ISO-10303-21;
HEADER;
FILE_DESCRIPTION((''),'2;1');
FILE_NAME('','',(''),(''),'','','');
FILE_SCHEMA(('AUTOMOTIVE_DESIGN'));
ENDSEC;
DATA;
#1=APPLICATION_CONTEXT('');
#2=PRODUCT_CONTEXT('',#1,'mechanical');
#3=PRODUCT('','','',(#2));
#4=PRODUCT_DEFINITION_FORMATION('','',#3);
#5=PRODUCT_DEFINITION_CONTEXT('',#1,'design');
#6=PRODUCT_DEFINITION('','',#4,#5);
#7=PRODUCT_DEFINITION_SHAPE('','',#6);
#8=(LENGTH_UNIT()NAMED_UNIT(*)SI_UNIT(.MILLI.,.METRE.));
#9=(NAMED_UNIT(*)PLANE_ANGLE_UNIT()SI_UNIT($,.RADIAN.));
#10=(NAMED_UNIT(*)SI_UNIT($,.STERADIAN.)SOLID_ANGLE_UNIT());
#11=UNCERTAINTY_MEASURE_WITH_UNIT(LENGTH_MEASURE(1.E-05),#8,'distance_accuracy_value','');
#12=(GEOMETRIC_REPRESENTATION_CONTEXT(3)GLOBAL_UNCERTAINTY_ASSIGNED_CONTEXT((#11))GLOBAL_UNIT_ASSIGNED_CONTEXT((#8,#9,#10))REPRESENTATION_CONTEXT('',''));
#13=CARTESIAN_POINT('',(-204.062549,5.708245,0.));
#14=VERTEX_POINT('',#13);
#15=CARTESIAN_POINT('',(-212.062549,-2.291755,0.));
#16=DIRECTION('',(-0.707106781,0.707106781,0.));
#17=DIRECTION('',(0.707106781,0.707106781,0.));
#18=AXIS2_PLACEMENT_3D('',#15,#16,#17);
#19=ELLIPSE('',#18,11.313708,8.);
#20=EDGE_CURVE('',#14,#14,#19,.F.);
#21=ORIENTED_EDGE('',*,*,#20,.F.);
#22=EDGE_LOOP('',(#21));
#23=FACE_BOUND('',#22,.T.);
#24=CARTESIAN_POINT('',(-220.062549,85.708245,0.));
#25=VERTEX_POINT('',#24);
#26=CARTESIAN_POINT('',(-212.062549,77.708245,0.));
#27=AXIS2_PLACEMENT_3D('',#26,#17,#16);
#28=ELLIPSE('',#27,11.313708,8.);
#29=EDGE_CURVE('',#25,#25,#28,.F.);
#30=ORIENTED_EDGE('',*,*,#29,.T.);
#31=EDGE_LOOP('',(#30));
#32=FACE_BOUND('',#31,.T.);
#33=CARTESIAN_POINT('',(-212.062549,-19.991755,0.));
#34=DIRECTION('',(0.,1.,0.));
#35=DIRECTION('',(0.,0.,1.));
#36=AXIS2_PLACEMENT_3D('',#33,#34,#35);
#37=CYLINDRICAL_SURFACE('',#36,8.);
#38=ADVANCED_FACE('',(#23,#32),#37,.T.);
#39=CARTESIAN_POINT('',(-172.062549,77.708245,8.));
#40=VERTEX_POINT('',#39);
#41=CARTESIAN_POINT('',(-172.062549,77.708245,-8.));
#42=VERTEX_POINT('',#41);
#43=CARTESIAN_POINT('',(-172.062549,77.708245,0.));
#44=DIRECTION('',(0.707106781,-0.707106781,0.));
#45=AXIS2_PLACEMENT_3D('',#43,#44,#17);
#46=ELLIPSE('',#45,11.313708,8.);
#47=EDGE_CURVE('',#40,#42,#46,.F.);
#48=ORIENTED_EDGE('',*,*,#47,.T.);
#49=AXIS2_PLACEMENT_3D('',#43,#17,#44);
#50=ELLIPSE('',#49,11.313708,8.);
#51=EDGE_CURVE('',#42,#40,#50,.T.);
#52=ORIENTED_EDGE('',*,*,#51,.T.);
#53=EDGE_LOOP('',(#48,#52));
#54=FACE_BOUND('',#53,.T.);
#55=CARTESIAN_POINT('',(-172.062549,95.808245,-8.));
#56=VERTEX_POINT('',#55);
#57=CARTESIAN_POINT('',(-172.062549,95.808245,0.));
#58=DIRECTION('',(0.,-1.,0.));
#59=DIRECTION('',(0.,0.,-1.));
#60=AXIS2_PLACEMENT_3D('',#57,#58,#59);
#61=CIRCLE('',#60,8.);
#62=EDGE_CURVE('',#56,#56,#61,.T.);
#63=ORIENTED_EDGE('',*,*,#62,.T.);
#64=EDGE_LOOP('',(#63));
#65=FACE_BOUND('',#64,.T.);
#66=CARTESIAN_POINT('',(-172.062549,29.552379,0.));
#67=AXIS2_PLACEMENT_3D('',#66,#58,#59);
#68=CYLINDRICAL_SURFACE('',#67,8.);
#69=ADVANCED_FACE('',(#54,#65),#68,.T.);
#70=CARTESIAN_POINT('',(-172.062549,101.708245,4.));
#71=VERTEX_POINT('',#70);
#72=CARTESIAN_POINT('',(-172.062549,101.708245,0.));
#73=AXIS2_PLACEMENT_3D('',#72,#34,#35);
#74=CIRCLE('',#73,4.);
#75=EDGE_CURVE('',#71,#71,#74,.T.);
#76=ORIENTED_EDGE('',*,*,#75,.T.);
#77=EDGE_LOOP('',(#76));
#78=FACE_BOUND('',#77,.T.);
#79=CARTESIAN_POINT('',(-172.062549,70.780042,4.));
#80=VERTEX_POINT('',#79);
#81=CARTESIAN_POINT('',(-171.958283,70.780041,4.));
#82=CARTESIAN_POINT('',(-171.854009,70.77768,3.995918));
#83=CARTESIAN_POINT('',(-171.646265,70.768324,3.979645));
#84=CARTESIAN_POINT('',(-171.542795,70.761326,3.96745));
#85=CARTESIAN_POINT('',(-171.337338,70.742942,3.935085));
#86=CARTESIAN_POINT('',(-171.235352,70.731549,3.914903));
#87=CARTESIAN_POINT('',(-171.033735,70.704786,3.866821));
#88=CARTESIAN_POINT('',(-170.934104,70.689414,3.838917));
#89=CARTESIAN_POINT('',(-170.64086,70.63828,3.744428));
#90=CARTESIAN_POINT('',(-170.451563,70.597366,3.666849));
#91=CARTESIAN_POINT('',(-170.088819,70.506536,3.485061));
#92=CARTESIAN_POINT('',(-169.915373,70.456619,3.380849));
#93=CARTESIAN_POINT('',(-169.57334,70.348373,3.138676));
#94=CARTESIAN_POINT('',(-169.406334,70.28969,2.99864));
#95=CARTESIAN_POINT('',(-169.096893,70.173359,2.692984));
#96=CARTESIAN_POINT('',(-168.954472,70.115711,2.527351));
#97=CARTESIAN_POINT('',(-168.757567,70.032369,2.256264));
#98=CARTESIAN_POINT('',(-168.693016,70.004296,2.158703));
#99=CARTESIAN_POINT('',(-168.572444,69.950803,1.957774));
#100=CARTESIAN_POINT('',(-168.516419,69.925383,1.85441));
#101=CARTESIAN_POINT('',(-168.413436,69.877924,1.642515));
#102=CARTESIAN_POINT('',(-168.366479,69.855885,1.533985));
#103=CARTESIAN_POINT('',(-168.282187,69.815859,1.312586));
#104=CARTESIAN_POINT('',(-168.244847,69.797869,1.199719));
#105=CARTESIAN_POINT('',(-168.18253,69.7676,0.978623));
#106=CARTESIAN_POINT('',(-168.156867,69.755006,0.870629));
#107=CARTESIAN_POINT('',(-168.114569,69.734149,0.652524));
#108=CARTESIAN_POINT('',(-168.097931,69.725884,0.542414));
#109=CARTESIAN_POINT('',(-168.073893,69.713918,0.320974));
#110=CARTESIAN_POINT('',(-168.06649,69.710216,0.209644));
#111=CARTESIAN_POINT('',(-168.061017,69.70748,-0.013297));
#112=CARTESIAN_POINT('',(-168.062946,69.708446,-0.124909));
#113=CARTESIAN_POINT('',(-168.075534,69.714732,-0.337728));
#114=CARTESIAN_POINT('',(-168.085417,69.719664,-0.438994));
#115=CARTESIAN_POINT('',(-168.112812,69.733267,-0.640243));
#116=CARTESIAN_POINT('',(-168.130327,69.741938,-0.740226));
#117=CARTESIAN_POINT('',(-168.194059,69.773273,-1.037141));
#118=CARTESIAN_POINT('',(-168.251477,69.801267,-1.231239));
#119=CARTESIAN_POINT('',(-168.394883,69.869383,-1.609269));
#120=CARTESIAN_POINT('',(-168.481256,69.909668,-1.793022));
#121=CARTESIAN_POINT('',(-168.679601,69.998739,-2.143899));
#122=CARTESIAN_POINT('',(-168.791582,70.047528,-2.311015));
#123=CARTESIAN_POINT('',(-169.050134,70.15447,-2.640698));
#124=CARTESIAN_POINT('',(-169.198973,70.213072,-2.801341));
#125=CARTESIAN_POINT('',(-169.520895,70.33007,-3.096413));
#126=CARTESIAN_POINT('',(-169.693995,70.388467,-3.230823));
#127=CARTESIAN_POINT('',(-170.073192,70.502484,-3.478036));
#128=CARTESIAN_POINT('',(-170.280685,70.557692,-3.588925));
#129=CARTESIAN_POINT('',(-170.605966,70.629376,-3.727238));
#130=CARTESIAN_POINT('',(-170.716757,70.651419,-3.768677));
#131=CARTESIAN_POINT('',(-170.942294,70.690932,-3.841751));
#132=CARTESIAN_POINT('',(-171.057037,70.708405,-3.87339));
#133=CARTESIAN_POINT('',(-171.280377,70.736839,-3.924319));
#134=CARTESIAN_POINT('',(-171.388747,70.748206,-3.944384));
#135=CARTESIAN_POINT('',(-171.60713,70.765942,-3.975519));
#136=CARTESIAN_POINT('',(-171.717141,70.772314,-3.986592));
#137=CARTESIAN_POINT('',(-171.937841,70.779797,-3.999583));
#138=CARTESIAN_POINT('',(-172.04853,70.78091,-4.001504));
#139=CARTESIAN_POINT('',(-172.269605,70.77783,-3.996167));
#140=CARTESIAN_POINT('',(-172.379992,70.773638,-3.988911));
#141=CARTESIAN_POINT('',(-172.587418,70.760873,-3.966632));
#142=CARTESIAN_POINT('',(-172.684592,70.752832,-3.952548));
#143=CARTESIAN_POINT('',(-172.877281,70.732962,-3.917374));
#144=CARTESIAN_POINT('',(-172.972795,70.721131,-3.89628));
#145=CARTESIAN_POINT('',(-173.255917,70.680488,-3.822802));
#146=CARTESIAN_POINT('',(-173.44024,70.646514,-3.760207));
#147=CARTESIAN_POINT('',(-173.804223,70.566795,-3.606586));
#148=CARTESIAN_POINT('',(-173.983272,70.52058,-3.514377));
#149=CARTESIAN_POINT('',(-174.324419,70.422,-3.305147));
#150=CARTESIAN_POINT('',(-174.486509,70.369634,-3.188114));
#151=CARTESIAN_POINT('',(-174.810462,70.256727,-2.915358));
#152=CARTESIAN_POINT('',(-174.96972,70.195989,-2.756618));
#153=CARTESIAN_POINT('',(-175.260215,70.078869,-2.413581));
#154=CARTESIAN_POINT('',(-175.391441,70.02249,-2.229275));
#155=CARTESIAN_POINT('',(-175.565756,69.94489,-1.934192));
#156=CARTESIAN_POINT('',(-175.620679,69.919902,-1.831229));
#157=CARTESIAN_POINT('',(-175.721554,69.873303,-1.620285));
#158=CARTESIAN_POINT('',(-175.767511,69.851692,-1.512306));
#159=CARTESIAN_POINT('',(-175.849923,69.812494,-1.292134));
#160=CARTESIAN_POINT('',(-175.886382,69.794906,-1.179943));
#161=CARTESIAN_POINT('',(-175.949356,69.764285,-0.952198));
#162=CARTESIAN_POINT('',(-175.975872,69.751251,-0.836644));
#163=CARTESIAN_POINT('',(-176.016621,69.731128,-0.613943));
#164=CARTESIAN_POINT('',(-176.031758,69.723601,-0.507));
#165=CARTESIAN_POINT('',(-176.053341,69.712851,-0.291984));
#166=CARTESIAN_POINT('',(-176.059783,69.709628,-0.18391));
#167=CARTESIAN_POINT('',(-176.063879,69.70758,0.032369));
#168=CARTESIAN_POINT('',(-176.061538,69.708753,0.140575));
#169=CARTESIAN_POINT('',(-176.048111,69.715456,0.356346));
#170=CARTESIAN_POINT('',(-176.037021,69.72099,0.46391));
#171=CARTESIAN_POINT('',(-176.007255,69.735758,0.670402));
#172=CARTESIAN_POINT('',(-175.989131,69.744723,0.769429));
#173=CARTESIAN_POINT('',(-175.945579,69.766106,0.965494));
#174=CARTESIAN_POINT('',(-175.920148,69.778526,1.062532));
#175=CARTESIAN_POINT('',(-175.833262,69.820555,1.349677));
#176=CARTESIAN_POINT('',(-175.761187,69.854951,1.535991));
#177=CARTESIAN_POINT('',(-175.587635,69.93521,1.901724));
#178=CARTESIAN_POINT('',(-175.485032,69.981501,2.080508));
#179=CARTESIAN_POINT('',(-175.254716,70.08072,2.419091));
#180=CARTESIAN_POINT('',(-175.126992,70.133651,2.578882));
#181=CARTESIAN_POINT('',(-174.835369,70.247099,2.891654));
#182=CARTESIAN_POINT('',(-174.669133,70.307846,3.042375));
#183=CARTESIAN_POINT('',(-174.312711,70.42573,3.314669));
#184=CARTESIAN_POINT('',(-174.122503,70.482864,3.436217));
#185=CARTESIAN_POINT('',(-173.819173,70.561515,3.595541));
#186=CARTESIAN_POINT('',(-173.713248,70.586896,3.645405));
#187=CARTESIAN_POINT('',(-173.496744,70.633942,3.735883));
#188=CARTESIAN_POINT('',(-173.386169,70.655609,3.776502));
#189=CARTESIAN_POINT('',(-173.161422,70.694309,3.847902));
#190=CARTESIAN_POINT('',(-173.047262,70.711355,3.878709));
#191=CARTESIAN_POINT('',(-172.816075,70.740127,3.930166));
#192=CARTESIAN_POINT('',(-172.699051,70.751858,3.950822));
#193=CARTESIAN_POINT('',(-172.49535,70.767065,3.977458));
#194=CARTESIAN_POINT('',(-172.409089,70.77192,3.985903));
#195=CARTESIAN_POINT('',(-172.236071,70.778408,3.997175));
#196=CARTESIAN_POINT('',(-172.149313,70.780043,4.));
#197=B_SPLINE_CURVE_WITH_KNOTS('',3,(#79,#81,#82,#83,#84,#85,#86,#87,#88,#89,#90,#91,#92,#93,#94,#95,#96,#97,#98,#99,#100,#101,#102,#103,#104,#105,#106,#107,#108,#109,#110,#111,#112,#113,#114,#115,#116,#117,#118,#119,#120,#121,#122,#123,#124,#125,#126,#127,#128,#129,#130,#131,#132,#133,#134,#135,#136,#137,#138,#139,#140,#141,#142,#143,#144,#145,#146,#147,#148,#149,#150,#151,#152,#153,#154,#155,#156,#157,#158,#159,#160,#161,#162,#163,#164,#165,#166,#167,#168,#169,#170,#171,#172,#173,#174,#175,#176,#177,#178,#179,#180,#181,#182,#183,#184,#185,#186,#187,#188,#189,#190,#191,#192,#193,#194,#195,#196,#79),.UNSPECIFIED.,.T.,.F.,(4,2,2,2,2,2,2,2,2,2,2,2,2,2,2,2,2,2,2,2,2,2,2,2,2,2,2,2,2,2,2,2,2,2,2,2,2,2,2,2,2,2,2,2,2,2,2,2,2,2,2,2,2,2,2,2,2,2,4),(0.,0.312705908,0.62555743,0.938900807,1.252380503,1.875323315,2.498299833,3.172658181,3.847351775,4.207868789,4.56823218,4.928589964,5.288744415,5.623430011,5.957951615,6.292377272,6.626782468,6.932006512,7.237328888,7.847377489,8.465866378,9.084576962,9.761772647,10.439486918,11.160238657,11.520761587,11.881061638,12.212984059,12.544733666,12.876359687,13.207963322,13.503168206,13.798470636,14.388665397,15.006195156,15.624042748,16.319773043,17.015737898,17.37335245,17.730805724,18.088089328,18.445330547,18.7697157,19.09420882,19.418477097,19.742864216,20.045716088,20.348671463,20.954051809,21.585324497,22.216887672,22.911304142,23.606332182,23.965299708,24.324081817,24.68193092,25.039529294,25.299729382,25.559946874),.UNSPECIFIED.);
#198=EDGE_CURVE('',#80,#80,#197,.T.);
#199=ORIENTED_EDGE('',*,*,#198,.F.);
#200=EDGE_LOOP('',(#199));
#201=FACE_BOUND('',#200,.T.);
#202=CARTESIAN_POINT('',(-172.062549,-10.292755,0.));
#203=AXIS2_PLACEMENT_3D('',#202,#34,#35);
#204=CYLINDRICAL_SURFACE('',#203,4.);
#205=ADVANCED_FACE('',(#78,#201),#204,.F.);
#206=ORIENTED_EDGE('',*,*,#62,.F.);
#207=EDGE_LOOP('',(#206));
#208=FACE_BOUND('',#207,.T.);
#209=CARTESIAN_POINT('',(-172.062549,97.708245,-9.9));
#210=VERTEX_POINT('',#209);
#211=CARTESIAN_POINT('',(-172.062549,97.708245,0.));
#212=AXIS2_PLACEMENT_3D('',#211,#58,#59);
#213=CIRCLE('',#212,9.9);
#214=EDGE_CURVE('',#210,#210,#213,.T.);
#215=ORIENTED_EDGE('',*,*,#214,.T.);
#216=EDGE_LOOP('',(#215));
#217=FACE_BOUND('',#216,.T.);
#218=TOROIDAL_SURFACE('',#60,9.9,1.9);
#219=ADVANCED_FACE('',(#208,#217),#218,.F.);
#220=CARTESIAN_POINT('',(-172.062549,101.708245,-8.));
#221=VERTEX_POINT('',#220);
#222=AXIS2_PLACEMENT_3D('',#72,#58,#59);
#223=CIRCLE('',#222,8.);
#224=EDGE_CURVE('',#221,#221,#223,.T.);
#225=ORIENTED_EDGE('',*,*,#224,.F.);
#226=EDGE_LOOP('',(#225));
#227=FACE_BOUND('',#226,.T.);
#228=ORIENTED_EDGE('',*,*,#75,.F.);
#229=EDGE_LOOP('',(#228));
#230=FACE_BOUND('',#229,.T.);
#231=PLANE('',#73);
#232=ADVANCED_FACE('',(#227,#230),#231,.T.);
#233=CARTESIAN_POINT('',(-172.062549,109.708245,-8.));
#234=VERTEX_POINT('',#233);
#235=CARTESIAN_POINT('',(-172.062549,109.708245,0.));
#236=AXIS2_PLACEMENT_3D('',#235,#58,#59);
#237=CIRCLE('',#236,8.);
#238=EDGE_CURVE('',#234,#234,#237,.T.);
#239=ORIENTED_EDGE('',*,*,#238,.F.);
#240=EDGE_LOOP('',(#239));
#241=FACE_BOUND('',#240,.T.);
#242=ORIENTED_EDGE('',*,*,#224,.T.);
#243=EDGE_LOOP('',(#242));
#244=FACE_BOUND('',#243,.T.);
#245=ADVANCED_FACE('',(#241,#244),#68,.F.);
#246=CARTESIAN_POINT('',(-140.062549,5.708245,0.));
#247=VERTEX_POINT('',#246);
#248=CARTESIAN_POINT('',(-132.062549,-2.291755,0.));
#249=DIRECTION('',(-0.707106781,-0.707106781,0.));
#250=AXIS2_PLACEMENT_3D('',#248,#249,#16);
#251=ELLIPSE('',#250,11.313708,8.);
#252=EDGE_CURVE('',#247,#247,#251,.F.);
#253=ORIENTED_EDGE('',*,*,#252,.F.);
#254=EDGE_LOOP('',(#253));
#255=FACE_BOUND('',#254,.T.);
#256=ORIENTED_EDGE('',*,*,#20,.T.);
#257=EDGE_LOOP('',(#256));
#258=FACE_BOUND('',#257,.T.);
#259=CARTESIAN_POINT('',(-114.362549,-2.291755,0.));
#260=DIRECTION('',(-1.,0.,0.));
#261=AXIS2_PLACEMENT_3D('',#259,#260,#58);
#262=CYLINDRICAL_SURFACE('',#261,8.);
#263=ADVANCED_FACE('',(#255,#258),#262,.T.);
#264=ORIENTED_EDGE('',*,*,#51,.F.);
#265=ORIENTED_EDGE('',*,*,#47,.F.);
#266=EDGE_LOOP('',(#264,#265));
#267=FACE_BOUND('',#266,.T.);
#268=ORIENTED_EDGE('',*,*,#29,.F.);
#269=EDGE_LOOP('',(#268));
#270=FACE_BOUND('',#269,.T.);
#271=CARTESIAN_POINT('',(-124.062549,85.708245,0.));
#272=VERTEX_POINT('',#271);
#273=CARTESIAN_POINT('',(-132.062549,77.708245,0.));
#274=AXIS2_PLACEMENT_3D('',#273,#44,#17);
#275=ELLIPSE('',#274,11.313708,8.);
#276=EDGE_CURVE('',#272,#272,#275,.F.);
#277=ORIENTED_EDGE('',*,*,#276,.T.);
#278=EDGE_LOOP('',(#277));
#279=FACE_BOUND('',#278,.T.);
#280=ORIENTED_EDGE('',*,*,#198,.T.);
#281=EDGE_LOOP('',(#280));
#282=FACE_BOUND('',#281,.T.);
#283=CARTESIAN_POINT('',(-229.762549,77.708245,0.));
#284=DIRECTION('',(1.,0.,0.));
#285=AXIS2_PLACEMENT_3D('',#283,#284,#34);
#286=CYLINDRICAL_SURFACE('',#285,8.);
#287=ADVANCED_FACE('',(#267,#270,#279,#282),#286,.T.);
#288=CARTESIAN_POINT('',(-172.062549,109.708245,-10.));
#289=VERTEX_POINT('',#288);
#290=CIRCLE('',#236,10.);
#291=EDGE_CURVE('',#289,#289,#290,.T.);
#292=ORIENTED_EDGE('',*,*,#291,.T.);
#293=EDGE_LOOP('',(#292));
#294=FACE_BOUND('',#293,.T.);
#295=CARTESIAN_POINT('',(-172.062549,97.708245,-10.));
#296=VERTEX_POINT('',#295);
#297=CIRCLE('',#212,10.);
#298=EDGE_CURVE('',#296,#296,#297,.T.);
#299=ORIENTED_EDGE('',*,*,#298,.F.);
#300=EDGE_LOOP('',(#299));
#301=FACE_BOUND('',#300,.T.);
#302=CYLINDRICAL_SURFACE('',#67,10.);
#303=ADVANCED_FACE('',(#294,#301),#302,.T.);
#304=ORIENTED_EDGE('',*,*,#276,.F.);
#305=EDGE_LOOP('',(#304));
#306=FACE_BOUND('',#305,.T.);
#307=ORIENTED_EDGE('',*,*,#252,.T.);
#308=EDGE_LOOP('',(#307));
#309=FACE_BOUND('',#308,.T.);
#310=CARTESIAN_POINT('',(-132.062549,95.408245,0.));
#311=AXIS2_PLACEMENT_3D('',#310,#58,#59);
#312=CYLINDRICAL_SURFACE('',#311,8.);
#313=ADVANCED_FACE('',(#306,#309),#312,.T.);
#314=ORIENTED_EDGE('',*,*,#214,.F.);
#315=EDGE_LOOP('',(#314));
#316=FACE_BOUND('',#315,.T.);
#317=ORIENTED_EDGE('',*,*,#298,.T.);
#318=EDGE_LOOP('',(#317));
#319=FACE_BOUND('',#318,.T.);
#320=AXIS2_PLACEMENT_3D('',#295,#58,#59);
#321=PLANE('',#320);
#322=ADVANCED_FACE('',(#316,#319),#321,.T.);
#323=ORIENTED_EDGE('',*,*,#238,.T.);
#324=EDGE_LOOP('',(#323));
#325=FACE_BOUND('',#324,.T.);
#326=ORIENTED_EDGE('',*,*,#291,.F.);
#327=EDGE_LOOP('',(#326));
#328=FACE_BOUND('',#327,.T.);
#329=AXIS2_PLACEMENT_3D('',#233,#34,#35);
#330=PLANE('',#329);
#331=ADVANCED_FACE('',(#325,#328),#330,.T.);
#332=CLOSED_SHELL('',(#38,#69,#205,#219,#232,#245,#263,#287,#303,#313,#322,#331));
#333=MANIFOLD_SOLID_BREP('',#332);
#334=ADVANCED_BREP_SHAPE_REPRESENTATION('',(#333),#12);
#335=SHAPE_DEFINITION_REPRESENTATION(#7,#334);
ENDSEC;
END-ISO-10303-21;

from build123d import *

# Parameters (mm, degrees)
SWEEP5_PROFILE_R         = 8
TAGLIO_ESTRUSIONE1_REACH = 114
SCHIZZO15_R              = 4


with BuildPart() as part:
    # Sweep5: sweep along a path in Schizzo1
    with BuildLine(Plane.XY) as sweep5_path:
        Line((-132.062548693, 77.708245302), (-212.062548693, 77.708245302))
        Line((-212.062548693, 77.708245302), (-212.062548693, -2.291754698))
        Line((-212.062548693, -2.291754698), (-132.062548693, -2.291754698))
        Line((-132.062548693, -2.291754698), (-132.062548693, 77.708245302))
    # Sweep5 profile (on start of the path) → Sweep5 (sweep)
    with BuildSketch(Plane(origin=(-132.062548693, 77.708245302, 0), x_dir=(0, -1, 0), z_dir=(-1, 0, 0))):
        Circle(SWEEP5_PROFILE_R)
    sweep(path=sweep5_path.line, transition=Transition.RIGHT)

    # Schizzo14 → Rivoluzione1 (revolve)
    with BuildSketch(Plane(origin=(-172.062548693, 0, 0), x_dir=(0, -1, 0), z_dir=(1, 0, 0))):
        with BuildLine():
            Line((-77.708245302, 0), (-101.708245302, 0))
            Line((-101.708245302, 0), (-101.708245302, 8))
            Line((-101.708245302, 8), (-109.708245302, 8))
            Line((-109.708245302, 8), (-109.708245302, 10))
            Line((-109.708245302, 10), (-97.708245302, 10))
            Line((-97.708245302, 10), (-97.708245302, 9.9))
            ThreePointArc((-97.708245302, 9.9), (-97.151748186, 8.556497116), (-95.808245302, 8))
            Line((-95.808245302, 8), (-77.708245302, 8))
            Line((-77.708245302, 8), (-77.708245302, 0))
        make_face()
    revolve(axis=Axis((-172.062548693, 29.552378968, 0), (0, 1, 0)))

    # Schizzo15 → Taglio-Estrusione1 (cut, up to next)
    with BuildSketch(Plane(origin=(0, 101.708245302, 0), x_dir=(1, 0, 0), z_dir=(0, 1, 0)), mode=Mode.PRIVATE) as taglio_estrusione1_sk1:
        with Locations((-172.062548693, 0)):
            Circle(SCHIZZO15_R)
    taglio_estrusione1_tool1 = extrude(taglio_estrusione1_sk1.sketch, amount=-TAGLIO_ESTRUSIONE1_REACH, mode=Mode.PRIVATE) & part.part
    add(taglio_estrusione1_tool1.solids().sort_by_distance((-172.062549, 101.708245, 0))[0], mode=Mode.SUBTRACT)


solid = part.part
